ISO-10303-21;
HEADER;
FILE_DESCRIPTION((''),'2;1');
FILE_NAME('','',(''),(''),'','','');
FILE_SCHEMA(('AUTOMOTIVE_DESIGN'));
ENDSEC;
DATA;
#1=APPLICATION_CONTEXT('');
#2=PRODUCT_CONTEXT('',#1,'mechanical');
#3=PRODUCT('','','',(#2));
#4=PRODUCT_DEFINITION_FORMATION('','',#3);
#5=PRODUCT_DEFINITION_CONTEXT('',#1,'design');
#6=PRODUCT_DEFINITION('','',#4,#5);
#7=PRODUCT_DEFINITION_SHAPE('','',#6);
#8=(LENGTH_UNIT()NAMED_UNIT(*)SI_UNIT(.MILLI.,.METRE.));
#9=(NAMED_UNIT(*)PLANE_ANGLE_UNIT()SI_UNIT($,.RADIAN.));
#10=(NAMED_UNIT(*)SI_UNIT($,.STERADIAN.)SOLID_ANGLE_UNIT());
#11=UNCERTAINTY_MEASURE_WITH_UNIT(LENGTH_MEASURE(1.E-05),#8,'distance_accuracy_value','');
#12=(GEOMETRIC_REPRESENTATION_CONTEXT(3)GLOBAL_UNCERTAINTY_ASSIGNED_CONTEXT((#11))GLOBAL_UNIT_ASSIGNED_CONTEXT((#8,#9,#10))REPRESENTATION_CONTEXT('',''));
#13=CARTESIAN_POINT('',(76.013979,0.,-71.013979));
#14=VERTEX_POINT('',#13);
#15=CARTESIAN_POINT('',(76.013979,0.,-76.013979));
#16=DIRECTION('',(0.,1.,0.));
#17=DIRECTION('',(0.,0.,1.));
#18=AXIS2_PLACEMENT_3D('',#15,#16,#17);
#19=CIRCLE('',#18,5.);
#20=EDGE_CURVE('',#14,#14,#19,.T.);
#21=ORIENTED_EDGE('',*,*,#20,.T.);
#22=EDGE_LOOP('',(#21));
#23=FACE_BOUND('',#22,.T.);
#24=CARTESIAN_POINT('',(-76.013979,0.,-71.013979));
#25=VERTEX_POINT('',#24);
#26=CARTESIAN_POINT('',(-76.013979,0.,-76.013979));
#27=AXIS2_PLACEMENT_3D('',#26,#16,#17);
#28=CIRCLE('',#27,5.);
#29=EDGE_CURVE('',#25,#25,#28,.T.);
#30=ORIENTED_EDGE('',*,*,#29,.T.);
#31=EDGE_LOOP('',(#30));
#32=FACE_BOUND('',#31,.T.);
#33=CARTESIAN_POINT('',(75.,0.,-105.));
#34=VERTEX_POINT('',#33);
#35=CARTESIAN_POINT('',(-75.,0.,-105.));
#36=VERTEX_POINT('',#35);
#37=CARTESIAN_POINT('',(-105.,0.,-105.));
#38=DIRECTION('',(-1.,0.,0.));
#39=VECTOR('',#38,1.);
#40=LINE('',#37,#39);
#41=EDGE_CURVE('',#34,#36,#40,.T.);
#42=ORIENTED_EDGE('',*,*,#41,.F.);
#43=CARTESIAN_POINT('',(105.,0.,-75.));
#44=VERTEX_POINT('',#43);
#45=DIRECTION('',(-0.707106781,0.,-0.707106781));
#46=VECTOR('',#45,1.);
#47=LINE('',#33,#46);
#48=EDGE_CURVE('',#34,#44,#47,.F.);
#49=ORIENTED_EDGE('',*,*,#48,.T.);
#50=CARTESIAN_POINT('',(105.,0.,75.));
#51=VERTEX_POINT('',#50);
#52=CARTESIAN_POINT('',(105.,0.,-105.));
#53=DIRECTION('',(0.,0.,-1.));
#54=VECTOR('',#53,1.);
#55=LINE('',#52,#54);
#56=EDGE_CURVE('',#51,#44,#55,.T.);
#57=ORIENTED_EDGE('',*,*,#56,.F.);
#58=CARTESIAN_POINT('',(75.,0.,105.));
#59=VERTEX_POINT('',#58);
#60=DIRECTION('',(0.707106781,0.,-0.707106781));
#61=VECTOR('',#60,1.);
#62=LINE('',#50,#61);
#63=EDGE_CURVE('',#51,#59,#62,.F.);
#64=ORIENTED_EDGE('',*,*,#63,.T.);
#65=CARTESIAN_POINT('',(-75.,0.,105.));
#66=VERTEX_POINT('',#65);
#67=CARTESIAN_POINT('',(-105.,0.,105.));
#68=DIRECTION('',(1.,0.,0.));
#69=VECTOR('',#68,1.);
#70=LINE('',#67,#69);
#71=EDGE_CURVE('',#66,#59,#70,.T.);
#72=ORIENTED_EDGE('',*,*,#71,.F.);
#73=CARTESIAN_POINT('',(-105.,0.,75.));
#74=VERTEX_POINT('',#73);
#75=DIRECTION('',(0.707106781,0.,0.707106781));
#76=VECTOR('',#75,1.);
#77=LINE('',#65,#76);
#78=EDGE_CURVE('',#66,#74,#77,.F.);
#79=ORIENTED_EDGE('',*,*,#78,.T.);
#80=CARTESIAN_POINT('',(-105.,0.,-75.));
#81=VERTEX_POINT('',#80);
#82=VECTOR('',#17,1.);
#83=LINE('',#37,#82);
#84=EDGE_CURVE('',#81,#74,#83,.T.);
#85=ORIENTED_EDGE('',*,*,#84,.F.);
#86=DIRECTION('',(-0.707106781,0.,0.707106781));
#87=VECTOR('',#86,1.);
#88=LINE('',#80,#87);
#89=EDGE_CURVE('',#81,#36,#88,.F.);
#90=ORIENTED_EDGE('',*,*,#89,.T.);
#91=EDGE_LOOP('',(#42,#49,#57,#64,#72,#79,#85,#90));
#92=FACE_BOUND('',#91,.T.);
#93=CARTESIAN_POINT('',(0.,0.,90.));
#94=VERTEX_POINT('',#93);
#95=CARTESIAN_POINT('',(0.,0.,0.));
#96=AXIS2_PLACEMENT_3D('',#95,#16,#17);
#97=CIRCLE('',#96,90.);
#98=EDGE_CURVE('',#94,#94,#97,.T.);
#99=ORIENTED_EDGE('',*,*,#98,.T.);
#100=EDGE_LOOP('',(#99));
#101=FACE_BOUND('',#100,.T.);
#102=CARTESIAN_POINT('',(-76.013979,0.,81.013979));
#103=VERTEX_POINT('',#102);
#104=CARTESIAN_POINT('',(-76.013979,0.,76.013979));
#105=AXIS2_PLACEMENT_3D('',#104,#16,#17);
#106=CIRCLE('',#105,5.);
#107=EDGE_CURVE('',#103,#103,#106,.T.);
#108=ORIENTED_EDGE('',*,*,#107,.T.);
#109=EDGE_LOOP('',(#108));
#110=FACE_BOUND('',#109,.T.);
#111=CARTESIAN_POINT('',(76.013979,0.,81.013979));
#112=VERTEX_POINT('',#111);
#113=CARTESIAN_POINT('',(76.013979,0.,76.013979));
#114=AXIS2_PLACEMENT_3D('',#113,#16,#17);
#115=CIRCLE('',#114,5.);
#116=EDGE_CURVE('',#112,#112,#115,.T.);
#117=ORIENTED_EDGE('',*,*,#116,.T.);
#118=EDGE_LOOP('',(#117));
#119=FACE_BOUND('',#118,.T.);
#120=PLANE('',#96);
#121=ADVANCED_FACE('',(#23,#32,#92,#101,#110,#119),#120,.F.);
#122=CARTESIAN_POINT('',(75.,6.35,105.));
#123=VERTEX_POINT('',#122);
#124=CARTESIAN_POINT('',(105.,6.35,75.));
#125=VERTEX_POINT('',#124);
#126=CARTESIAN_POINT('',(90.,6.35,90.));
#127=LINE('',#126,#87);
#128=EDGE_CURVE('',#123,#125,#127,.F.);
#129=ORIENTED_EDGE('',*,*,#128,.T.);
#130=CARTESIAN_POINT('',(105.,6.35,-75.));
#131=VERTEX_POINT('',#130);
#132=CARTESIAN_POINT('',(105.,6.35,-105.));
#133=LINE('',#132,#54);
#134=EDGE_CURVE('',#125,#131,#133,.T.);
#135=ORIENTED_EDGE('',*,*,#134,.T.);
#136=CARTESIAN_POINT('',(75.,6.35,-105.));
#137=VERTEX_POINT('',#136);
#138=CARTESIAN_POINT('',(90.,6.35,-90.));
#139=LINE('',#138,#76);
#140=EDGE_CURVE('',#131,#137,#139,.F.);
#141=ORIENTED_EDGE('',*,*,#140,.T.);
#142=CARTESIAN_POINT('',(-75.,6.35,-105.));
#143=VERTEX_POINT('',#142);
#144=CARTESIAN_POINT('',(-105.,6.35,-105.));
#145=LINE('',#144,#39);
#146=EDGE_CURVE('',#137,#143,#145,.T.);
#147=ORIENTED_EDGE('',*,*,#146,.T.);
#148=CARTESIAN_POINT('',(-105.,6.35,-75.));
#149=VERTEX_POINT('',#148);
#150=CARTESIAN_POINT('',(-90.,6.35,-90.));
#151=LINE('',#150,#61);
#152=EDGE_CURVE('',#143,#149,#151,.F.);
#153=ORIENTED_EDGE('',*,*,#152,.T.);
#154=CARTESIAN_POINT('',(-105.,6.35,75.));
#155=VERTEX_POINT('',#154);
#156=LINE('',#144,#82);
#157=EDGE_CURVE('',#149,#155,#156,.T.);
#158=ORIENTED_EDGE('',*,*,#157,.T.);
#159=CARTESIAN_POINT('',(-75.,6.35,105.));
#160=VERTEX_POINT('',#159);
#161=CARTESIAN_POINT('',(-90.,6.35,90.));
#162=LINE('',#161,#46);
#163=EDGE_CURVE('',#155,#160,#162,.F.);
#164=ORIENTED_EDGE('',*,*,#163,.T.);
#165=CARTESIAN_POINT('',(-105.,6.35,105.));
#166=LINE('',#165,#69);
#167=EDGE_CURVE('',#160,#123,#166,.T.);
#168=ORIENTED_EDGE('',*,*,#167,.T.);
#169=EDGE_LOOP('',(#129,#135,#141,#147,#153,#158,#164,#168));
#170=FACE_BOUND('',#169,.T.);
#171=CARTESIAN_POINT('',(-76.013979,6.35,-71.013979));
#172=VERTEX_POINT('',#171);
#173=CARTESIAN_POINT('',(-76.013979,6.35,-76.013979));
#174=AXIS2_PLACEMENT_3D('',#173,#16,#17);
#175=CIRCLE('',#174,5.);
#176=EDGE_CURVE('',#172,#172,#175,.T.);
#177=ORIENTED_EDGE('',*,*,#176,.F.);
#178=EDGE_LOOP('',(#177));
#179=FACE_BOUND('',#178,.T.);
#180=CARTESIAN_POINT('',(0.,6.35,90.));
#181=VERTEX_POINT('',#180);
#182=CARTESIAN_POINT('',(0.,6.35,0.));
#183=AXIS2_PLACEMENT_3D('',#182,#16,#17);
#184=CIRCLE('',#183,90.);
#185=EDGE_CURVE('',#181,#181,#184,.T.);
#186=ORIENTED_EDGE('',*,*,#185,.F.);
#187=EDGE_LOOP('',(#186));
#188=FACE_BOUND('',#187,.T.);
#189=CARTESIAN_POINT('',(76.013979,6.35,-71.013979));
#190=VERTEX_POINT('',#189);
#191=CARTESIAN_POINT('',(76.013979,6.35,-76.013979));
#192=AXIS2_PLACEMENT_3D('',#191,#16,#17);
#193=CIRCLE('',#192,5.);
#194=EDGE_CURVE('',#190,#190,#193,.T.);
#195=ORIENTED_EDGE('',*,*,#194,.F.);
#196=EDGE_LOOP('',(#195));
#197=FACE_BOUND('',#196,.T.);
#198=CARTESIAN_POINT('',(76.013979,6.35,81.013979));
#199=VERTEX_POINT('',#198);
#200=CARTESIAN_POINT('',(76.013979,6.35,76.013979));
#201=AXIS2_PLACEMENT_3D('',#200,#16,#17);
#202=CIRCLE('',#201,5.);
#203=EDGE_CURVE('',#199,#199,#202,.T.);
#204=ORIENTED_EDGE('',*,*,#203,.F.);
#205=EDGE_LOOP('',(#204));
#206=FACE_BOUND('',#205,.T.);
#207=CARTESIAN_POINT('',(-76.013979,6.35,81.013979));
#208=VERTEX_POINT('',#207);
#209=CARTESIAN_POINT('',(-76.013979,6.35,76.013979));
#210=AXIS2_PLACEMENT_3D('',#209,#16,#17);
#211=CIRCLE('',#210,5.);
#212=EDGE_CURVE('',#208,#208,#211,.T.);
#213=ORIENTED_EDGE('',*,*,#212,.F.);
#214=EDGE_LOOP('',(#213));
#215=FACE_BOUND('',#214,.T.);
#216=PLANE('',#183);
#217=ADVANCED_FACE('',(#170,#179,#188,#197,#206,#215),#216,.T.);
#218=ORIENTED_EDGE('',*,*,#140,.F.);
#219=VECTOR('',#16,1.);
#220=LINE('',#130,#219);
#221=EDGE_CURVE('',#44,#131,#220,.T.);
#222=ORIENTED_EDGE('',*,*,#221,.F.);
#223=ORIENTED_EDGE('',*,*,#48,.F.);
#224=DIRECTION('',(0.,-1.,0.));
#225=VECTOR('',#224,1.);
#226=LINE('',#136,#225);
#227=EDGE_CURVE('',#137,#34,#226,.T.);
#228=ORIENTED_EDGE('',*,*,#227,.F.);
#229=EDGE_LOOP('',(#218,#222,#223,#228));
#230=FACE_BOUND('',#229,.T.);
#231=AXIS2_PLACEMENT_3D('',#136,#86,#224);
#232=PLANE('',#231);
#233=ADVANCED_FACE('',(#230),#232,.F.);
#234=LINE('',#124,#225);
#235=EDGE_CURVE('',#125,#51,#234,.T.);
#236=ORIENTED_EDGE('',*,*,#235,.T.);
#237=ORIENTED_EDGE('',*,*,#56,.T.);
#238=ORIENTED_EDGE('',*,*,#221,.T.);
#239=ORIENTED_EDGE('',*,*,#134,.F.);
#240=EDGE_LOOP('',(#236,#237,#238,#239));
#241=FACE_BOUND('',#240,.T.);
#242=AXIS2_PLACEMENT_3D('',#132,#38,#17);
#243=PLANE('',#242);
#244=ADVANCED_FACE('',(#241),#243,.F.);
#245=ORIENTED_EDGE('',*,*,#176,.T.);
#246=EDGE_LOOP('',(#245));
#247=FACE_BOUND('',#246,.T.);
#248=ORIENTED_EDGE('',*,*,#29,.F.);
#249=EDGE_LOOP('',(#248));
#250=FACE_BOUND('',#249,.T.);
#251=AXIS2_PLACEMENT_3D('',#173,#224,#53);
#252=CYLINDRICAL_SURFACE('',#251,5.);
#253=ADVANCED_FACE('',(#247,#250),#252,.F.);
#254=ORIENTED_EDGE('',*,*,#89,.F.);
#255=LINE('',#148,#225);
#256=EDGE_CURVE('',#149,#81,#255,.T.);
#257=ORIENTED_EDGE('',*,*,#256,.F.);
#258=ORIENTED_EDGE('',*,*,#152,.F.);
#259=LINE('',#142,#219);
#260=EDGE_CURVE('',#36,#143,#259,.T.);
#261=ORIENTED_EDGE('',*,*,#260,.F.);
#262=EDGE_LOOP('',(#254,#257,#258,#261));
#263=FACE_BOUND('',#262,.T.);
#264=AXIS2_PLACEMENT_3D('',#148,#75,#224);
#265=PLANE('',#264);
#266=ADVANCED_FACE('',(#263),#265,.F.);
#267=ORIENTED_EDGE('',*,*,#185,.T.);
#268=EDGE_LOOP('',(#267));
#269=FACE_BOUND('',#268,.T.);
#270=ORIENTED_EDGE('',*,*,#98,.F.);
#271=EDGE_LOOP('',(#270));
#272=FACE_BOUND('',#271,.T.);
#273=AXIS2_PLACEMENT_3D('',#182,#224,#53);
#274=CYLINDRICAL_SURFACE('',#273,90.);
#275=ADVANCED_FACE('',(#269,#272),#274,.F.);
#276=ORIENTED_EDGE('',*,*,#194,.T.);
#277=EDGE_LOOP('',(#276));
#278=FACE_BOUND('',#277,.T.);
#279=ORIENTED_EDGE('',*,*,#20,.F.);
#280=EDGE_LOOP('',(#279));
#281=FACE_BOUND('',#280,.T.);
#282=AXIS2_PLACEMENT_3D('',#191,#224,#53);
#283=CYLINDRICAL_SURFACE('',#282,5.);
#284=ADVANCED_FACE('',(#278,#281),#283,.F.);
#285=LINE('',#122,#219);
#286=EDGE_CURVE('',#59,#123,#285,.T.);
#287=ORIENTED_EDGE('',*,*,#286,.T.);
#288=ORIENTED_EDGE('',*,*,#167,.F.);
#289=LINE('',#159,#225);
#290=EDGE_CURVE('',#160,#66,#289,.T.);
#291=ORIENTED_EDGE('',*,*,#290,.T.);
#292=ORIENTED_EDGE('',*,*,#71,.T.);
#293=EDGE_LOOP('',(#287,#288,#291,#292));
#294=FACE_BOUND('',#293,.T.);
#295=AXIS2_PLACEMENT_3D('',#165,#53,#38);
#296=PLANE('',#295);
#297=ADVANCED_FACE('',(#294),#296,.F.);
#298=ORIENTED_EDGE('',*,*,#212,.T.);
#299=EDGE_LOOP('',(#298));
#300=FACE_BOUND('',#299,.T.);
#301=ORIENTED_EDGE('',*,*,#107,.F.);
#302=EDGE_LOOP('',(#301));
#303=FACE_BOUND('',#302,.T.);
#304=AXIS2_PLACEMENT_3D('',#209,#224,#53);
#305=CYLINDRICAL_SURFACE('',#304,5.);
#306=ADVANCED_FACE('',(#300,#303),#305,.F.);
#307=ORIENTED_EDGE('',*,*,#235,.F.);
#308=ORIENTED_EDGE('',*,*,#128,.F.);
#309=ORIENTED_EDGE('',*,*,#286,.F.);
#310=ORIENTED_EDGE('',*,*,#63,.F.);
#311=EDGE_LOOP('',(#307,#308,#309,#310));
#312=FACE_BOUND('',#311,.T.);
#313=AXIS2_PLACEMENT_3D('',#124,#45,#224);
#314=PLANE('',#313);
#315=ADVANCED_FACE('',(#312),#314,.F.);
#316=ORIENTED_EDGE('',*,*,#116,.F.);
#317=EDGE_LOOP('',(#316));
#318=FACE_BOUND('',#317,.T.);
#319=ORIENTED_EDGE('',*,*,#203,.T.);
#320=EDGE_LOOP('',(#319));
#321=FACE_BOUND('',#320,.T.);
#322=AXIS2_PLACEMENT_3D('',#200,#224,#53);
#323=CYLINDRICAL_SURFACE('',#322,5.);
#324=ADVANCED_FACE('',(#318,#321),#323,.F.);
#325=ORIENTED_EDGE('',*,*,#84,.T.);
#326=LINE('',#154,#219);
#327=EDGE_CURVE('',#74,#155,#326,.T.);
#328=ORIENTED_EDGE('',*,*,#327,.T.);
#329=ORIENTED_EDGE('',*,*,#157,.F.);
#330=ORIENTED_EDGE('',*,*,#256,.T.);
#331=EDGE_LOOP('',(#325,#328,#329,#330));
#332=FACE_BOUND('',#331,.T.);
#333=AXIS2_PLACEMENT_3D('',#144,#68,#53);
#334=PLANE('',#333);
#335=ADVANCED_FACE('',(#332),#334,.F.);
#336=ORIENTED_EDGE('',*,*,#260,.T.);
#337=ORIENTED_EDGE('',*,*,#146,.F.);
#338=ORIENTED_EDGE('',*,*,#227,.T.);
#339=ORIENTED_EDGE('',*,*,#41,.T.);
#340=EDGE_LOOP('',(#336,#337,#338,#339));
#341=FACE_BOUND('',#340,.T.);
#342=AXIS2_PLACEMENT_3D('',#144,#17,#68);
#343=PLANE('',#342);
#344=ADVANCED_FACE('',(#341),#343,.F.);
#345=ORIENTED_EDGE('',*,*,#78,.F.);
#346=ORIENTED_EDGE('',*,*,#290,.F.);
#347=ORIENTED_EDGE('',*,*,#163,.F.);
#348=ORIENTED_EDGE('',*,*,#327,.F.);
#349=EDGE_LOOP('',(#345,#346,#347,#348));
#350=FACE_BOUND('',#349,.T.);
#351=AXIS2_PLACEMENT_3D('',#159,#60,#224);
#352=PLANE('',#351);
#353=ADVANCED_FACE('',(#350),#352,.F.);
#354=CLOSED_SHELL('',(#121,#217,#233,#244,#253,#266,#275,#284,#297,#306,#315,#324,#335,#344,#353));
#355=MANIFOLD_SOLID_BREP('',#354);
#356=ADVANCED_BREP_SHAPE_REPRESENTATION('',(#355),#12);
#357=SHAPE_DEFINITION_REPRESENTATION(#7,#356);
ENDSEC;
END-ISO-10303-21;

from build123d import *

# Parameters (mm, degrees)
SKETCH1_W           = 210
SKETCH1_H           = 210
SKETCH1_R           = 90
SKETCH1_R_2         = 5
BOSS_EXTRUDE1_DEPTH = 6.35
CHAMFER1_SIZE       = 30


with BuildPart() as part:
    # Sketch1 → Boss-Extrude1 (new body)
    with BuildSketch(Plane(origin=(0, 0, 0), x_dir=(1, 0, 0), z_dir=(0, 1, 0))):
        Rectangle(SKETCH1_W, SKETCH1_H)
        Circle(SKETCH1_R, mode=Mode.SUBTRACT)
        with Locations((-76.013978978, 76.013978978)):
            Circle(SKETCH1_R_2, mode=Mode.SUBTRACT)
        with Locations((76.013978978, 76.013978978)):
            Circle(SKETCH1_R_2, mode=Mode.SUBTRACT)
        with Locations((76.013978978, -76.013978978)):
            Circle(SKETCH1_R_2, mode=Mode.SUBTRACT)
        with Locations((-76.013978978, -76.013978978)):
            Circle(SKETCH1_R_2, mode=Mode.SUBTRACT)
    extrude(amount=BOSS_EXTRUDE1_DEPTH)

    # Chamfer1
    chamfer1_edges = [part.edges().sort_by_distance(p)[0] for p in [
        (105, 3.175, 105),
        (-105, 3.175, 105),
        (-105, 3.175, -105),
        (105, 3.175, -105),
    ]]
    chamfer(chamfer1_edges, length=CHAMFER1_SIZE)


solid = part.part
